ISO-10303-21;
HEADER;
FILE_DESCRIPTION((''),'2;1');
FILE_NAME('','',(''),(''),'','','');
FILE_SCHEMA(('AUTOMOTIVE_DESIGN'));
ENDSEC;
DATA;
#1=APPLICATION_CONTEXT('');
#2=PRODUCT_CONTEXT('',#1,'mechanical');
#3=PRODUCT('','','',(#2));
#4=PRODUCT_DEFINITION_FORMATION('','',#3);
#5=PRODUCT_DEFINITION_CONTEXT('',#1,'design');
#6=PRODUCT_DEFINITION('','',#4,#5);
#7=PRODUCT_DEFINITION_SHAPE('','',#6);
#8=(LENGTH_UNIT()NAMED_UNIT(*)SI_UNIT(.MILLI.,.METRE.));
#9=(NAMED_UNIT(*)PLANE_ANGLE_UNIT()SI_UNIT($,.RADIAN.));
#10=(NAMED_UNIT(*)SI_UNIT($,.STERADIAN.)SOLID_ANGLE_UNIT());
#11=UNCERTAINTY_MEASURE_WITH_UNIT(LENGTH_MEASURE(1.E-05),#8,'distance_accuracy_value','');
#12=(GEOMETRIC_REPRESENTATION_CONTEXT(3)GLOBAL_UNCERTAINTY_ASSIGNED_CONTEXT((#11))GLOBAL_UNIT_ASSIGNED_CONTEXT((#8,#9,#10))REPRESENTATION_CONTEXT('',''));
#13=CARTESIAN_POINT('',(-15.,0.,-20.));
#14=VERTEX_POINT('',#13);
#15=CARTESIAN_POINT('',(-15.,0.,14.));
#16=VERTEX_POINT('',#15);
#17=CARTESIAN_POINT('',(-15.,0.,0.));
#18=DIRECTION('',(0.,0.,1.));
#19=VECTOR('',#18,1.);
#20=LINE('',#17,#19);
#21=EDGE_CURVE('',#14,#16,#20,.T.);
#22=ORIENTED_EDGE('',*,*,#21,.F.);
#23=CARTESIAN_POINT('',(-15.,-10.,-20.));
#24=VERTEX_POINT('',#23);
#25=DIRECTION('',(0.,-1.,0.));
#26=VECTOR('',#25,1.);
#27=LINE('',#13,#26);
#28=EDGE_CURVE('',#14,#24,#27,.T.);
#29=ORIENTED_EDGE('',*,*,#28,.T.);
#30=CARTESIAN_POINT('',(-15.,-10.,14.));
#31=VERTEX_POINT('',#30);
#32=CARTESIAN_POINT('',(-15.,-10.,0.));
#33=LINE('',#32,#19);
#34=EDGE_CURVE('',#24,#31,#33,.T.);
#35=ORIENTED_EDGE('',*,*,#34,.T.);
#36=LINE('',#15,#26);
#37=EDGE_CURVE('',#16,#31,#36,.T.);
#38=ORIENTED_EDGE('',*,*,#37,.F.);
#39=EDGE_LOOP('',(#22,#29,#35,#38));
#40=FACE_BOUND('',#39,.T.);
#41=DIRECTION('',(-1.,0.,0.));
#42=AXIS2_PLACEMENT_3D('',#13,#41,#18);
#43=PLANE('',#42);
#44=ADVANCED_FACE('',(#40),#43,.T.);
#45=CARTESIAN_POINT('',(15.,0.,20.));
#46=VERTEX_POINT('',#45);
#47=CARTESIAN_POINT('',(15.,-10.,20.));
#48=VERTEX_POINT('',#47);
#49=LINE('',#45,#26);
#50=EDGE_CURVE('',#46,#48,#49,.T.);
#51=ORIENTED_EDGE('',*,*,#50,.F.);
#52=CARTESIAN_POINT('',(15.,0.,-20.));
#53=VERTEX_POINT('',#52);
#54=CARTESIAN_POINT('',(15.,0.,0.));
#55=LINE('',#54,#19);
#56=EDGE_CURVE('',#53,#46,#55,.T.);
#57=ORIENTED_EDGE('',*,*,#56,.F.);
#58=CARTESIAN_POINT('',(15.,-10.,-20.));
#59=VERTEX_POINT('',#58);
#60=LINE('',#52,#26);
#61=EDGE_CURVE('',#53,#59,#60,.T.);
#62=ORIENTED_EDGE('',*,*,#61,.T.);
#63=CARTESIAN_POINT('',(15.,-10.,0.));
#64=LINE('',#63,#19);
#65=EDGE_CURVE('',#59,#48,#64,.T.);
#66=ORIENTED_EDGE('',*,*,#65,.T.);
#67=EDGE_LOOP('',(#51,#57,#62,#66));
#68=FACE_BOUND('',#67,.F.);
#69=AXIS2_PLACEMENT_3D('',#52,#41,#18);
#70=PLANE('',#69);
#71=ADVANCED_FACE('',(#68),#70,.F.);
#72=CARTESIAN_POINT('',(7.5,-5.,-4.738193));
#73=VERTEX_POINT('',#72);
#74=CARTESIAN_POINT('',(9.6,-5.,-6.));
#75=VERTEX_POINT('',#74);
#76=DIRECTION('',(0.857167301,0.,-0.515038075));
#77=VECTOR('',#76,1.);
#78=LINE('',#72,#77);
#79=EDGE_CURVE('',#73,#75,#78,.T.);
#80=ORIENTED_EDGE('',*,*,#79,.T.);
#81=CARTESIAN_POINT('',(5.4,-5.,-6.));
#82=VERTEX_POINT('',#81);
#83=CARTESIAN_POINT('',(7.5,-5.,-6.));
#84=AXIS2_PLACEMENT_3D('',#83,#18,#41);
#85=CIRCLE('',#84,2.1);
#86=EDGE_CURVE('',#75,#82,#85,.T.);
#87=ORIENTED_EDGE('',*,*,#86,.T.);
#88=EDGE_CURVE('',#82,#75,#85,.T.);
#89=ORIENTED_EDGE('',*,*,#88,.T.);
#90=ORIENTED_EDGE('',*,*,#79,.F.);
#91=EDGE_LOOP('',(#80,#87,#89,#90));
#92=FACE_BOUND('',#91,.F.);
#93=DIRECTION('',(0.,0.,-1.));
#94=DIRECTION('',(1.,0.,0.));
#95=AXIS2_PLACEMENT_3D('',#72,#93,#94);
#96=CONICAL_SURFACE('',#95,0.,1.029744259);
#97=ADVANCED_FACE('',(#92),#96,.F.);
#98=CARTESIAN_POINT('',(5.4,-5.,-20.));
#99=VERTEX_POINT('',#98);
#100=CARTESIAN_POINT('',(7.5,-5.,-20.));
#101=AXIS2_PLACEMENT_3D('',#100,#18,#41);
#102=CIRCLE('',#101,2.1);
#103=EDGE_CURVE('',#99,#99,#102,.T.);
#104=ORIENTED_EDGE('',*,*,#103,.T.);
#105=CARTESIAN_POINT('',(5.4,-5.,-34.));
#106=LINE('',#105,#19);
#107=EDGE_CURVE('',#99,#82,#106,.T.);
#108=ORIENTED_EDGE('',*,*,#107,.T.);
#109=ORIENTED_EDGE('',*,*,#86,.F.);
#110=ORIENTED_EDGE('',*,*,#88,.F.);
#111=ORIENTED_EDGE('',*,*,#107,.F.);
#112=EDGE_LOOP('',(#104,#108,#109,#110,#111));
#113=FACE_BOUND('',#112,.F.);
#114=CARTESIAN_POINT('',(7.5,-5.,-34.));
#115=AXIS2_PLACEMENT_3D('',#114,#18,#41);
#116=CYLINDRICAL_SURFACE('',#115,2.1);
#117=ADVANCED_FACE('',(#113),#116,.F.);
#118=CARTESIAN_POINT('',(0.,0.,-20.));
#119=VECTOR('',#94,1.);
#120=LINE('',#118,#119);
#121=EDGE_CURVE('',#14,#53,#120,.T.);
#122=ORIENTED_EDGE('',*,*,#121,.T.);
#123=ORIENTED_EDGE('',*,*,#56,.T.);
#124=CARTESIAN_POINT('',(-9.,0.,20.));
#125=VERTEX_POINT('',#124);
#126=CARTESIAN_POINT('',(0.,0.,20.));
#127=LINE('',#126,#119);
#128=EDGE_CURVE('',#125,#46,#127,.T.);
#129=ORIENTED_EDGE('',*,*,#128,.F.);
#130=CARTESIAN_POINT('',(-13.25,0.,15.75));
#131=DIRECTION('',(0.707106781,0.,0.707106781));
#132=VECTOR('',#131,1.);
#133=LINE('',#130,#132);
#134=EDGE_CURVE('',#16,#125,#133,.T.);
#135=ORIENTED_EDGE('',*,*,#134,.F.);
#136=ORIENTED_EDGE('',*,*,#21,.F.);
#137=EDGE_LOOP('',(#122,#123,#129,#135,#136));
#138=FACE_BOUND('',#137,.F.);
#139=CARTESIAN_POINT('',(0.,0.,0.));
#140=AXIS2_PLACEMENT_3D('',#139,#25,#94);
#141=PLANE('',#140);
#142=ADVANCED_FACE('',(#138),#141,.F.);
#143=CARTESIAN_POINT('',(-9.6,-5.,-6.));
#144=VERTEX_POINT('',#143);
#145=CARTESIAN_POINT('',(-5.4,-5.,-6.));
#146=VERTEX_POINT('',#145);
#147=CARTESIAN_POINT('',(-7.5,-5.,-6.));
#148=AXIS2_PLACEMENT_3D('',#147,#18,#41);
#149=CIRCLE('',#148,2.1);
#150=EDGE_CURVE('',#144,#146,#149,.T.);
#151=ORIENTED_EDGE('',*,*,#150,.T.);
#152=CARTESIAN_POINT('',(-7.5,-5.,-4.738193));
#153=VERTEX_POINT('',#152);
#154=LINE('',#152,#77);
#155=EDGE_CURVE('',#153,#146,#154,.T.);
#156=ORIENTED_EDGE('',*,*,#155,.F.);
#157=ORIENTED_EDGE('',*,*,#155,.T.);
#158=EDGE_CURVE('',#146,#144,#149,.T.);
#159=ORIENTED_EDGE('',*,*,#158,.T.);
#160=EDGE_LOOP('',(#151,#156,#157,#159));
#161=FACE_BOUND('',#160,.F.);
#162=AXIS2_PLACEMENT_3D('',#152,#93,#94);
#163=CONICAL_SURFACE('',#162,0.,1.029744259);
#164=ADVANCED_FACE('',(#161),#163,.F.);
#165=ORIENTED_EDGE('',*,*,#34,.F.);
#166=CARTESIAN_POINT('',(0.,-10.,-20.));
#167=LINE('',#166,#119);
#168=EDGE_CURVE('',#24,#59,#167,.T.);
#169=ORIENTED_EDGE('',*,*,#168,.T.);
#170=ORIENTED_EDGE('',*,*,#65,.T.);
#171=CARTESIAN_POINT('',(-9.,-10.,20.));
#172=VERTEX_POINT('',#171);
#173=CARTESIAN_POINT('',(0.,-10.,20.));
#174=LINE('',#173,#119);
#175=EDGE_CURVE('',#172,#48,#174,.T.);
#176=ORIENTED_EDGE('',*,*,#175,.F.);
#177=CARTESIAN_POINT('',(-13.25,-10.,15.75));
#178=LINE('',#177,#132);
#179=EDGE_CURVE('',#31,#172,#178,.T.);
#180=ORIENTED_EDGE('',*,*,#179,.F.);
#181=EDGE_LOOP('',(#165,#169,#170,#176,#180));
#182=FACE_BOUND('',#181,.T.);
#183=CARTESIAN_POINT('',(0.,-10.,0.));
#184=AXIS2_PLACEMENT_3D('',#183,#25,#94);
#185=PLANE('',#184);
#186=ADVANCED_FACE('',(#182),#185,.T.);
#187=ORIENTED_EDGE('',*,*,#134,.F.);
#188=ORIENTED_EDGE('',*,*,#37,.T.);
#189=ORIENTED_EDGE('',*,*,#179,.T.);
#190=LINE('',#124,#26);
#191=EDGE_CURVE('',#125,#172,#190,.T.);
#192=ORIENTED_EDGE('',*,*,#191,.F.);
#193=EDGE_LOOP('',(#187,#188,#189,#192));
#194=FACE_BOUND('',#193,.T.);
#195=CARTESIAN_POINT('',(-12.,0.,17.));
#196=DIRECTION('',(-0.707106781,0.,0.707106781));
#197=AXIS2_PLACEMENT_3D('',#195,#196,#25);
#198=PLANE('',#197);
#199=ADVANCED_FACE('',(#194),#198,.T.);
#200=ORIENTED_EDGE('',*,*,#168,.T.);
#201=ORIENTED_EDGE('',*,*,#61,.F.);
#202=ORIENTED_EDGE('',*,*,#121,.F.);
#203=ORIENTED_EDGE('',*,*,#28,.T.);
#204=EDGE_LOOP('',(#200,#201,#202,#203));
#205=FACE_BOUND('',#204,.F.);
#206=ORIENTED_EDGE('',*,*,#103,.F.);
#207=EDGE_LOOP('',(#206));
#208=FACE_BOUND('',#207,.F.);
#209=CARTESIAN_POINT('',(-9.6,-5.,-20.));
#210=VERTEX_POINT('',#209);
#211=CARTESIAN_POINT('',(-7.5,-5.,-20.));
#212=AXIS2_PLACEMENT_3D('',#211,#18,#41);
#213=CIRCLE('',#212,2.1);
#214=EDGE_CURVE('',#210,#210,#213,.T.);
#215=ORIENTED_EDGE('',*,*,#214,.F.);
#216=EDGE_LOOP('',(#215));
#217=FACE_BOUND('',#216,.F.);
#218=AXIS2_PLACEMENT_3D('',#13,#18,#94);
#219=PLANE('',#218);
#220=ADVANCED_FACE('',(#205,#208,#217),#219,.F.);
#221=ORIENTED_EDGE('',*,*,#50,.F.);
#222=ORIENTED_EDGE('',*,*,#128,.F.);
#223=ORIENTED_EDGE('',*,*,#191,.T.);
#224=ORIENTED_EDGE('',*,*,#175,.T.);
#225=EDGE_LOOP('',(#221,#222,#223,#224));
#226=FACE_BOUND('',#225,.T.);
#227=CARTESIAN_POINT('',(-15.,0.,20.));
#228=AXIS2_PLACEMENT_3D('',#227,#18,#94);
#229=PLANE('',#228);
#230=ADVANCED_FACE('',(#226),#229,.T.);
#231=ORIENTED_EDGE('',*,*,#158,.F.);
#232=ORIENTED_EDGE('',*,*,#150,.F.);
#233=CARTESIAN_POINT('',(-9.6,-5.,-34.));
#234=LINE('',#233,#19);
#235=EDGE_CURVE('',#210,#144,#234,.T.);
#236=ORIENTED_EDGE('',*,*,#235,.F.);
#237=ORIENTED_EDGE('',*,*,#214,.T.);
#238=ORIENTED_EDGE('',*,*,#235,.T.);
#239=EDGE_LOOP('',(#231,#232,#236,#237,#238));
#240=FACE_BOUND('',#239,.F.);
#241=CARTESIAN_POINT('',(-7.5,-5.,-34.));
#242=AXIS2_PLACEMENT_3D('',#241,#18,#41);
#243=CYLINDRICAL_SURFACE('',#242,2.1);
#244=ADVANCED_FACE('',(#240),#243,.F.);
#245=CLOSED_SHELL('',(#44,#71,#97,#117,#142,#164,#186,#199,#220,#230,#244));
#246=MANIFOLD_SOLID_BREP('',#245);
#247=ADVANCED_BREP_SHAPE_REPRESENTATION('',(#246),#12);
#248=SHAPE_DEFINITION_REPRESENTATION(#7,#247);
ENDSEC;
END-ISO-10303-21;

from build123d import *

# Parameters (mm, degrees)
F0_W     = 30
F0_H     = 40
F1_DEPTH = 10
F2_SIZE  = 6
F4_D     = 4.2
F4_DEPTH = 14
F4_TIP   = 1.2618073


with BuildPart() as f1:
    # F0 (on Front) → F1 (new body)
    with BuildSketch(Plane.XZ):
        Rectangle(F0_W, F0_H)
    extrude(amount=F1_DEPTH)

    # F2
    f2_edges = [f1.edges().sort_by_distance(p)[0] for p in [
        (-15, -5, 20),
    ]]
    chamfer(f2_edges, length=F2_SIZE)

    # F4
    with Locations(Plane(origin=(0, 0, -20), x_dir=(1, 0, 0), z_dir=(0, 0, -1))):
        with Locations((7.5, 5), (-7.5, 5)):
            Hole(F4_D / 2, depth=F4_DEPTH)
            with Locations((0, 0, -(F4_DEPTH + F4_TIP / 2))):  # 118° drill point
                Cone(0, F4_D / 2, F4_TIP, mode=Mode.SUBTRACT)


solid = f1.part
